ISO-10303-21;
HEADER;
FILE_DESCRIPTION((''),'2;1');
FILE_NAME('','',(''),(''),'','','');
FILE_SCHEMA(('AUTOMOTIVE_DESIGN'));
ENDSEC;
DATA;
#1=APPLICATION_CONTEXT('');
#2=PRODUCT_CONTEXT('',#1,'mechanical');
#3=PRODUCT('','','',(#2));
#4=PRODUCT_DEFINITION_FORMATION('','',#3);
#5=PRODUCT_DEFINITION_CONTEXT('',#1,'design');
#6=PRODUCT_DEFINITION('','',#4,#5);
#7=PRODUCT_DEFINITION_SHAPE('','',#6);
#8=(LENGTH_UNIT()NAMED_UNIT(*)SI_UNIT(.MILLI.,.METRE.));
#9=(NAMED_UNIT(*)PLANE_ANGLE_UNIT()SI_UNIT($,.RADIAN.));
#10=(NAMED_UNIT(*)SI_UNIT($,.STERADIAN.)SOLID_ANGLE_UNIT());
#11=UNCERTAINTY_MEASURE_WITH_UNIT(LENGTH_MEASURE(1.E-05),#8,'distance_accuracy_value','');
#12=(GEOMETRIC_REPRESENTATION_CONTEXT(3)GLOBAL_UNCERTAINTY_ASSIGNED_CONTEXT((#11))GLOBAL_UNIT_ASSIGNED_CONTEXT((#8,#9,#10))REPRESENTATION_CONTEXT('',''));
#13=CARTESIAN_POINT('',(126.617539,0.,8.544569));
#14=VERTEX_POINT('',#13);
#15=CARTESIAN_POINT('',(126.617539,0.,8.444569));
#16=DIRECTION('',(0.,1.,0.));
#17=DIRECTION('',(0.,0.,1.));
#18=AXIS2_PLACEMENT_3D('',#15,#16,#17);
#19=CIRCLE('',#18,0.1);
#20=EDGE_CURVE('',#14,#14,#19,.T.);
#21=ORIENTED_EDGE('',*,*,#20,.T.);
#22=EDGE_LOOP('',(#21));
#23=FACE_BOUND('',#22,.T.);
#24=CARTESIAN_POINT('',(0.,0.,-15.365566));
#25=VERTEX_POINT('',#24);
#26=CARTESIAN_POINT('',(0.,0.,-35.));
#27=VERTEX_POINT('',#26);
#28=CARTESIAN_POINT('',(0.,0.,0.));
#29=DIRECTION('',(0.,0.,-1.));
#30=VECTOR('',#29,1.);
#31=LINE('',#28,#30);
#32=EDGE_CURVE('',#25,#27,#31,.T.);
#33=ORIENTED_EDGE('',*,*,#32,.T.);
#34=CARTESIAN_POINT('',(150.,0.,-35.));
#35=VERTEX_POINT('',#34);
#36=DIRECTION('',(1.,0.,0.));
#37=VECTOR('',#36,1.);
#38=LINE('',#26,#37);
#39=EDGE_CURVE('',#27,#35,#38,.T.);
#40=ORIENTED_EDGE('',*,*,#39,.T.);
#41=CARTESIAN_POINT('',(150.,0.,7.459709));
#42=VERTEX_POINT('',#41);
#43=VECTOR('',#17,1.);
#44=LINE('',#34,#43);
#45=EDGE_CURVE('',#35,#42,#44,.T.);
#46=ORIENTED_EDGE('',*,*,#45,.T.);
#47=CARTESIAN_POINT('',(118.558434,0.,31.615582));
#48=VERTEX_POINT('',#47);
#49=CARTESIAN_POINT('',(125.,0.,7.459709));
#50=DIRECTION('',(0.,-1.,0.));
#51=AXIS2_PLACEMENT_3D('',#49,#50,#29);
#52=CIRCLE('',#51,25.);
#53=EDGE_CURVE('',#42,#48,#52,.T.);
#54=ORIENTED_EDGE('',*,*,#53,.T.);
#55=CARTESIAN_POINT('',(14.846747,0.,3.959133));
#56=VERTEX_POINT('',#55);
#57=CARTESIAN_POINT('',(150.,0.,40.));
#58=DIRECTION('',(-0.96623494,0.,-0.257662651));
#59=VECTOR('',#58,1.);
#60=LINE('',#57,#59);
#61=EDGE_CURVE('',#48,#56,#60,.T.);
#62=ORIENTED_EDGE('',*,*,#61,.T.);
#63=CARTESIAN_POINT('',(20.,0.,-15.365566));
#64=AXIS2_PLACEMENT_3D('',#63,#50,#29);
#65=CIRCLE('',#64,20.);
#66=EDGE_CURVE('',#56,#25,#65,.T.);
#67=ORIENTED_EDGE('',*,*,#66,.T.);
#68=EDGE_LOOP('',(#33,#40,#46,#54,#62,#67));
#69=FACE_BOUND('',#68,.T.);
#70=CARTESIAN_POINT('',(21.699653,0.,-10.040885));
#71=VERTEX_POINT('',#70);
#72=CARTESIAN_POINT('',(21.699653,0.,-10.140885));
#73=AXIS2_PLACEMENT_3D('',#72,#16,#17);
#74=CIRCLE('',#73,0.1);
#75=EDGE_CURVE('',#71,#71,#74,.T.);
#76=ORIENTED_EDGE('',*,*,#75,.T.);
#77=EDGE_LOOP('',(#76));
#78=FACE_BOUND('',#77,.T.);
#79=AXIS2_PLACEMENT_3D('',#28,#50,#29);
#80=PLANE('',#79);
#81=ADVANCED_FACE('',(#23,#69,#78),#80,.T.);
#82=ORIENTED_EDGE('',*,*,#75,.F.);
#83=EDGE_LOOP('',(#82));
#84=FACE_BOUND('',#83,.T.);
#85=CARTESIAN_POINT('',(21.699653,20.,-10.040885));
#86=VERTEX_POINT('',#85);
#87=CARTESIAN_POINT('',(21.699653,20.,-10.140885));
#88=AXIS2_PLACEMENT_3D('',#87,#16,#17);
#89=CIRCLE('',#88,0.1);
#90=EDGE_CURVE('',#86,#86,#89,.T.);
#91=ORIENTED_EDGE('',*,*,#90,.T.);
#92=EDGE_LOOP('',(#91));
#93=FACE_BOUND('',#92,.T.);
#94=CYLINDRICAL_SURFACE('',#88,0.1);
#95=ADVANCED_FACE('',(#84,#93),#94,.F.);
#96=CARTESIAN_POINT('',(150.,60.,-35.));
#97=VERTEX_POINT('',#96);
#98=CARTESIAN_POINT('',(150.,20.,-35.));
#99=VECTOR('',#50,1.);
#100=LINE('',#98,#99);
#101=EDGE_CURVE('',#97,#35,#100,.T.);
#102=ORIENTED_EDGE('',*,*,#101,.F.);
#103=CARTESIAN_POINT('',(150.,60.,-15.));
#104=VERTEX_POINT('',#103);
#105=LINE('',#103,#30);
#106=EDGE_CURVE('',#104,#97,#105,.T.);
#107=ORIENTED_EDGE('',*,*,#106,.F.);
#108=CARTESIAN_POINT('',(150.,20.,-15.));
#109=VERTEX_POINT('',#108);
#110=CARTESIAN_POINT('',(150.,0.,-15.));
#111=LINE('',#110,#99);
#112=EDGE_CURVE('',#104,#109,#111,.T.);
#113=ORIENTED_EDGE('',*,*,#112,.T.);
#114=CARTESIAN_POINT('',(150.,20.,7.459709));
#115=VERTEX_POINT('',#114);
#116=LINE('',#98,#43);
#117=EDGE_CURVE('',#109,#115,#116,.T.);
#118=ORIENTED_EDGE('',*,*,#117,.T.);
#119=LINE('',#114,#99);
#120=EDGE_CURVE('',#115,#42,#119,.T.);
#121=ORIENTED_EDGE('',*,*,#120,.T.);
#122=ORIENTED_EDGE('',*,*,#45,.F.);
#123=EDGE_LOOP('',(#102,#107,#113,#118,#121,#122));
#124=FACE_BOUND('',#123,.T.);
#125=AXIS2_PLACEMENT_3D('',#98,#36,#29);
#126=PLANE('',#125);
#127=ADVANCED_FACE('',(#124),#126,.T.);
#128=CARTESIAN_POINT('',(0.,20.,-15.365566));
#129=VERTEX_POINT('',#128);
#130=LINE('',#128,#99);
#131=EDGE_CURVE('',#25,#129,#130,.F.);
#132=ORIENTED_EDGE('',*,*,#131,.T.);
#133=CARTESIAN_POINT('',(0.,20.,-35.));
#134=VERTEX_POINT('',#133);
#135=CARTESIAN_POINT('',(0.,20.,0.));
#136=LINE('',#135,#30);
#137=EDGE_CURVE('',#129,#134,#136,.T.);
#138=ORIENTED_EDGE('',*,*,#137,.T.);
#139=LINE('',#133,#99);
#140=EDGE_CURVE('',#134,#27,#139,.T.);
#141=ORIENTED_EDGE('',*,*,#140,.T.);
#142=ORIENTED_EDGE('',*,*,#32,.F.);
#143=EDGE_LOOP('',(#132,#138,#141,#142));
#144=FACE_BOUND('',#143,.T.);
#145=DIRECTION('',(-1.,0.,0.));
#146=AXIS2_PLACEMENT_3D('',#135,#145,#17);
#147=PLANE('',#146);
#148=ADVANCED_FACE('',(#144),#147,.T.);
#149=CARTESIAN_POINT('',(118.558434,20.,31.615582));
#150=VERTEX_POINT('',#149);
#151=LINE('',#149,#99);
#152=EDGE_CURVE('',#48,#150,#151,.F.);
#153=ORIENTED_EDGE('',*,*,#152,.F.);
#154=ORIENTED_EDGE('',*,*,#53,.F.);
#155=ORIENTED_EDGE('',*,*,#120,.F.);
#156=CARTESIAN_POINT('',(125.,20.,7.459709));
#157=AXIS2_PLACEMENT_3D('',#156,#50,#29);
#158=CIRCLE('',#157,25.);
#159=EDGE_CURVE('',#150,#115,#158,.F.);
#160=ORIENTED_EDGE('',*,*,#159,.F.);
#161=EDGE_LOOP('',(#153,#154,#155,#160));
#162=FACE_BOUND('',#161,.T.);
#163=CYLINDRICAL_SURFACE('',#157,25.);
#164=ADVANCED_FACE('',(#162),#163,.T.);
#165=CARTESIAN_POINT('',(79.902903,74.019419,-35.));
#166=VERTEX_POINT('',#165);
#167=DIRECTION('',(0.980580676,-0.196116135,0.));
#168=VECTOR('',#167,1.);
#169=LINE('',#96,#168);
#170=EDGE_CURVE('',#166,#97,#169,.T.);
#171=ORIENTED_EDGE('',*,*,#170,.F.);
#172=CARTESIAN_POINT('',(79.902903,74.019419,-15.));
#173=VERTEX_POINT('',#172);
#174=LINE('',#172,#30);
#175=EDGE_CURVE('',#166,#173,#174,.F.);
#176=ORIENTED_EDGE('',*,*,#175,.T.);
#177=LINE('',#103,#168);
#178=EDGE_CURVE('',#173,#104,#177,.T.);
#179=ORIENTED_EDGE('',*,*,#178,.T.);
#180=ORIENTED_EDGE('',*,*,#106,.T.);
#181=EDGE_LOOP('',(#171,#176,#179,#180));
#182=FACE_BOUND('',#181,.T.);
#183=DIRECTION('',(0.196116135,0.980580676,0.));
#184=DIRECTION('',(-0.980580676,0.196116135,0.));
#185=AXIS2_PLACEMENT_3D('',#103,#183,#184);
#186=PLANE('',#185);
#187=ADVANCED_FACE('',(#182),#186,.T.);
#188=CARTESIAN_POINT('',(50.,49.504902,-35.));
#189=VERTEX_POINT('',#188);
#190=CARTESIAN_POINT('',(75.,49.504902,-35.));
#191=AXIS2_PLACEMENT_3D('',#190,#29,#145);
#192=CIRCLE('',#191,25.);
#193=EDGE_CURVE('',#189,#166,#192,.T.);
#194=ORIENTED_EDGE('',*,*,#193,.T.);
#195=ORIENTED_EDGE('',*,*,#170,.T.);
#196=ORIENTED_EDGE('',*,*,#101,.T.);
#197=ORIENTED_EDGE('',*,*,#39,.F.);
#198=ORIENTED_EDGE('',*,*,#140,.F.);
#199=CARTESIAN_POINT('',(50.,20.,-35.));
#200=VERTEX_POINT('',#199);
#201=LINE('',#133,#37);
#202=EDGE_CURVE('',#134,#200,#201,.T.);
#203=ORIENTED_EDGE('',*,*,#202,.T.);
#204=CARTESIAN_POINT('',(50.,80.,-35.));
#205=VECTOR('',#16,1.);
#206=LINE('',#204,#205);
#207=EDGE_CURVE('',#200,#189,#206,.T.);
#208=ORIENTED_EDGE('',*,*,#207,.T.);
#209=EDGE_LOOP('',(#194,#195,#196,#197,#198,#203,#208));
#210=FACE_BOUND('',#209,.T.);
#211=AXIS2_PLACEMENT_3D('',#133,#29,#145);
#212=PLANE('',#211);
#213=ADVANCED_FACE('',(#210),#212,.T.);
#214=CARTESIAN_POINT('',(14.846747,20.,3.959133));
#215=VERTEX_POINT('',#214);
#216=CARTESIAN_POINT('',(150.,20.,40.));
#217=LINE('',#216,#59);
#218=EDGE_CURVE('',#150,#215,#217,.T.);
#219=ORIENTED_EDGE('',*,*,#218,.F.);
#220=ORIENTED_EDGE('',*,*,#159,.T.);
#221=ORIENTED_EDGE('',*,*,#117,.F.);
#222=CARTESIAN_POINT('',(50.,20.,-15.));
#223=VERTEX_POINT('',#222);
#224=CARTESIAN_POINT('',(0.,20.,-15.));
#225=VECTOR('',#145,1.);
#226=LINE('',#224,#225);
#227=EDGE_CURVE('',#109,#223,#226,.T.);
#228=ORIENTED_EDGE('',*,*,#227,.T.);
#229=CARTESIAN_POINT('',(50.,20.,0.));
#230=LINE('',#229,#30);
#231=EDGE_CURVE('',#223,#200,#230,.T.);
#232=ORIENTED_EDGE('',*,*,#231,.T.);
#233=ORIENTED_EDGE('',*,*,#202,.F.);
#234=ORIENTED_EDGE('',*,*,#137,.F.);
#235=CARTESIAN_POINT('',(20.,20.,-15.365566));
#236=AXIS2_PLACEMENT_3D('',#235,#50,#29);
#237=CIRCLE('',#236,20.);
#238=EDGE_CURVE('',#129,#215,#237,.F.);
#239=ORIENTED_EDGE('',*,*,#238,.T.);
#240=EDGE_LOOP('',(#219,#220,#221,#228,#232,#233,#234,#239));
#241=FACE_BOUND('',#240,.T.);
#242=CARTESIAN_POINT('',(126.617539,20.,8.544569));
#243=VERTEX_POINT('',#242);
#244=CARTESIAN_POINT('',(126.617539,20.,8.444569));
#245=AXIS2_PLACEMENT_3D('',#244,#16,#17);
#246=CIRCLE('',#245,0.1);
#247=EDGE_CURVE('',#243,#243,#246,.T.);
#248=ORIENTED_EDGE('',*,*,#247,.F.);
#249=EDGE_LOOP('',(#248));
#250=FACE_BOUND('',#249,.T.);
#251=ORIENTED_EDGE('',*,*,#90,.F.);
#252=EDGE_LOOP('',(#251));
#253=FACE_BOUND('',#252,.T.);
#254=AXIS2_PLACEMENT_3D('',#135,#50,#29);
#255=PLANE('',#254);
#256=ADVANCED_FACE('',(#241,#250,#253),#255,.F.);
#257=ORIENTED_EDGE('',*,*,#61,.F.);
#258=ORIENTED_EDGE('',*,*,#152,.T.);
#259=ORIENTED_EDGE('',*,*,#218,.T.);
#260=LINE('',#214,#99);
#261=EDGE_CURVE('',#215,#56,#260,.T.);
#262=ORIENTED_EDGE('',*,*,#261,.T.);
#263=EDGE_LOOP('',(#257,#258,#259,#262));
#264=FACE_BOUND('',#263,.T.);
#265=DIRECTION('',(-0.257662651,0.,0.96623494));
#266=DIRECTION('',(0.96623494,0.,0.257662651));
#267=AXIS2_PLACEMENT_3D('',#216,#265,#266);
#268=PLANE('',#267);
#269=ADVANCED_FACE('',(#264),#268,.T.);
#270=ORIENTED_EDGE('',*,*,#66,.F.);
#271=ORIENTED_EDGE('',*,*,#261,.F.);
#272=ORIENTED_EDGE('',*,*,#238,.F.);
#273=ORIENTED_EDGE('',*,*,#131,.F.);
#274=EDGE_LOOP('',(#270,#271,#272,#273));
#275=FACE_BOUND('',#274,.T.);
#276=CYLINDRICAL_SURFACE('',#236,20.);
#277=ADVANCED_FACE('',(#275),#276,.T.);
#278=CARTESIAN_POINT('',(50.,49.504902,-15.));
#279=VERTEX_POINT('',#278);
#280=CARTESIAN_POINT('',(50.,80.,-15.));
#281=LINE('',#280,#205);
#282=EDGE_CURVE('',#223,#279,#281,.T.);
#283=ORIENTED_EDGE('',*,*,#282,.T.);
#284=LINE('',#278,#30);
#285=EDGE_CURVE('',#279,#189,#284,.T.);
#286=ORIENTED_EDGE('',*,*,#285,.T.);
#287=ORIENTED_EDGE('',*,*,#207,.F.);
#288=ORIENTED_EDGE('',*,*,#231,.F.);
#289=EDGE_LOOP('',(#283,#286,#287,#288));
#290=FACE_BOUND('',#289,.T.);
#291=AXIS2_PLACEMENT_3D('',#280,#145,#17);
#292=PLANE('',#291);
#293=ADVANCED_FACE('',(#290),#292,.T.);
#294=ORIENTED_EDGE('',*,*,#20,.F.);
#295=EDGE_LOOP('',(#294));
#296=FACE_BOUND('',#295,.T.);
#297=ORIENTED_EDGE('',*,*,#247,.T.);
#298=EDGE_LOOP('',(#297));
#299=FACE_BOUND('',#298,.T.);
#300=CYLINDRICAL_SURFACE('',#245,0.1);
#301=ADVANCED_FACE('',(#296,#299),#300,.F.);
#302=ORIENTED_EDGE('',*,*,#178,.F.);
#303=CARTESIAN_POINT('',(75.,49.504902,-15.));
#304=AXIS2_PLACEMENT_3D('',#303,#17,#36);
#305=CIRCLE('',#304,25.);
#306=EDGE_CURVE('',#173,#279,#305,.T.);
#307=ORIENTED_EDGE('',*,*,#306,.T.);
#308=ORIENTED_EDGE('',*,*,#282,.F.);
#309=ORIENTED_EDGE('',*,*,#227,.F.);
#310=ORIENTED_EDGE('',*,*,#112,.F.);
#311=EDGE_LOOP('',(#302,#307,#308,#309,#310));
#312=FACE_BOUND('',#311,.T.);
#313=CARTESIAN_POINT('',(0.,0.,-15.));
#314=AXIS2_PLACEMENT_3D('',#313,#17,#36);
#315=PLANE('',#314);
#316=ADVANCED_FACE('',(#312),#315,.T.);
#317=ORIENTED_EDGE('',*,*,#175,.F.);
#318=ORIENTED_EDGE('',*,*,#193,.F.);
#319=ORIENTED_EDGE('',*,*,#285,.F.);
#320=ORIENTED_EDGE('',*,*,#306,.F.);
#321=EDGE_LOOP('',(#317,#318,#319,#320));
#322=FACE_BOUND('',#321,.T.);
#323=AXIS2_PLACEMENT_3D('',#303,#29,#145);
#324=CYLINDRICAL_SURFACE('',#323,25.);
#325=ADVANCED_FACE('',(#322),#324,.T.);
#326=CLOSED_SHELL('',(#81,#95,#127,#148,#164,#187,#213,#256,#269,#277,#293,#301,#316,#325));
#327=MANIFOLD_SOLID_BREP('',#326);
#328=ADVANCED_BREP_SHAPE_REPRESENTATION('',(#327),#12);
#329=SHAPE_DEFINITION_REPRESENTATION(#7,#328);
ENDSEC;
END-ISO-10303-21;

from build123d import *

# Parameters (mm, degrees)
BOSS_EXTRUDE1_DEPTH        = 20
BOSS_EXTRUDE2_DEPTH        = 20
FILLET1_R                  = 20
FILLET2_R                  = 25
F_0_2_0_2_DIAMETER_HOLE1_D = 0.2


with BuildPart() as part:
    # Sketch1 → Boss-Extrude1 (new body)
    with BuildSketch(Plane(origin=(0, 0, 0), x_dir=(1, 0, 0), z_dir=(0, 1, 0))):
        Polygon((0, 0), (0, 35), (150, 35), (150, -40), align=None)
    extrude(amount=BOSS_EXTRUDE1_DEPTH)

    # Sketch3 → Boss-Extrude2 (add)
    with BuildSketch(Plane(origin=(0, 0, -35), x_dir=(-1, 0, 0), z_dir=(0, 0, -1))):
        Polygon((-150, 0), (-150, 60), (-50, 80), (-50, 0), align=None)
    extrude(amount=-BOSS_EXTRUDE2_DEPTH)

    # Fillet1
    fillet1_edges = [part.edges().sort_by_distance(p)[0] for p in [
        (0, 10, 0),
    ]]
    fillet(fillet1_edges, radius=FILLET1_R)

    # Fillet2
    fillet2_edges = [part.edges().sort_by_distance(p)[0] for p in [
        (50, 80, -25),
        (150, 10, 40),
    ]]
    fillet(fillet2_edges, radius=FILLET2_R)

    # Ø0.2 (0.2) Diameter Hole1 (through all)
    with Locations(Plane(origin=(21.699653265, 20, -10.140884984), x_dir=(0, 0, 1), z_dir=(0, 1, 0))):
        with Locations((0, 0), (18.585454109, 104.917886097)):
            Hole(F_0_2_0_2_DIAMETER_HOLE1_D / 2)


solid = part.part
